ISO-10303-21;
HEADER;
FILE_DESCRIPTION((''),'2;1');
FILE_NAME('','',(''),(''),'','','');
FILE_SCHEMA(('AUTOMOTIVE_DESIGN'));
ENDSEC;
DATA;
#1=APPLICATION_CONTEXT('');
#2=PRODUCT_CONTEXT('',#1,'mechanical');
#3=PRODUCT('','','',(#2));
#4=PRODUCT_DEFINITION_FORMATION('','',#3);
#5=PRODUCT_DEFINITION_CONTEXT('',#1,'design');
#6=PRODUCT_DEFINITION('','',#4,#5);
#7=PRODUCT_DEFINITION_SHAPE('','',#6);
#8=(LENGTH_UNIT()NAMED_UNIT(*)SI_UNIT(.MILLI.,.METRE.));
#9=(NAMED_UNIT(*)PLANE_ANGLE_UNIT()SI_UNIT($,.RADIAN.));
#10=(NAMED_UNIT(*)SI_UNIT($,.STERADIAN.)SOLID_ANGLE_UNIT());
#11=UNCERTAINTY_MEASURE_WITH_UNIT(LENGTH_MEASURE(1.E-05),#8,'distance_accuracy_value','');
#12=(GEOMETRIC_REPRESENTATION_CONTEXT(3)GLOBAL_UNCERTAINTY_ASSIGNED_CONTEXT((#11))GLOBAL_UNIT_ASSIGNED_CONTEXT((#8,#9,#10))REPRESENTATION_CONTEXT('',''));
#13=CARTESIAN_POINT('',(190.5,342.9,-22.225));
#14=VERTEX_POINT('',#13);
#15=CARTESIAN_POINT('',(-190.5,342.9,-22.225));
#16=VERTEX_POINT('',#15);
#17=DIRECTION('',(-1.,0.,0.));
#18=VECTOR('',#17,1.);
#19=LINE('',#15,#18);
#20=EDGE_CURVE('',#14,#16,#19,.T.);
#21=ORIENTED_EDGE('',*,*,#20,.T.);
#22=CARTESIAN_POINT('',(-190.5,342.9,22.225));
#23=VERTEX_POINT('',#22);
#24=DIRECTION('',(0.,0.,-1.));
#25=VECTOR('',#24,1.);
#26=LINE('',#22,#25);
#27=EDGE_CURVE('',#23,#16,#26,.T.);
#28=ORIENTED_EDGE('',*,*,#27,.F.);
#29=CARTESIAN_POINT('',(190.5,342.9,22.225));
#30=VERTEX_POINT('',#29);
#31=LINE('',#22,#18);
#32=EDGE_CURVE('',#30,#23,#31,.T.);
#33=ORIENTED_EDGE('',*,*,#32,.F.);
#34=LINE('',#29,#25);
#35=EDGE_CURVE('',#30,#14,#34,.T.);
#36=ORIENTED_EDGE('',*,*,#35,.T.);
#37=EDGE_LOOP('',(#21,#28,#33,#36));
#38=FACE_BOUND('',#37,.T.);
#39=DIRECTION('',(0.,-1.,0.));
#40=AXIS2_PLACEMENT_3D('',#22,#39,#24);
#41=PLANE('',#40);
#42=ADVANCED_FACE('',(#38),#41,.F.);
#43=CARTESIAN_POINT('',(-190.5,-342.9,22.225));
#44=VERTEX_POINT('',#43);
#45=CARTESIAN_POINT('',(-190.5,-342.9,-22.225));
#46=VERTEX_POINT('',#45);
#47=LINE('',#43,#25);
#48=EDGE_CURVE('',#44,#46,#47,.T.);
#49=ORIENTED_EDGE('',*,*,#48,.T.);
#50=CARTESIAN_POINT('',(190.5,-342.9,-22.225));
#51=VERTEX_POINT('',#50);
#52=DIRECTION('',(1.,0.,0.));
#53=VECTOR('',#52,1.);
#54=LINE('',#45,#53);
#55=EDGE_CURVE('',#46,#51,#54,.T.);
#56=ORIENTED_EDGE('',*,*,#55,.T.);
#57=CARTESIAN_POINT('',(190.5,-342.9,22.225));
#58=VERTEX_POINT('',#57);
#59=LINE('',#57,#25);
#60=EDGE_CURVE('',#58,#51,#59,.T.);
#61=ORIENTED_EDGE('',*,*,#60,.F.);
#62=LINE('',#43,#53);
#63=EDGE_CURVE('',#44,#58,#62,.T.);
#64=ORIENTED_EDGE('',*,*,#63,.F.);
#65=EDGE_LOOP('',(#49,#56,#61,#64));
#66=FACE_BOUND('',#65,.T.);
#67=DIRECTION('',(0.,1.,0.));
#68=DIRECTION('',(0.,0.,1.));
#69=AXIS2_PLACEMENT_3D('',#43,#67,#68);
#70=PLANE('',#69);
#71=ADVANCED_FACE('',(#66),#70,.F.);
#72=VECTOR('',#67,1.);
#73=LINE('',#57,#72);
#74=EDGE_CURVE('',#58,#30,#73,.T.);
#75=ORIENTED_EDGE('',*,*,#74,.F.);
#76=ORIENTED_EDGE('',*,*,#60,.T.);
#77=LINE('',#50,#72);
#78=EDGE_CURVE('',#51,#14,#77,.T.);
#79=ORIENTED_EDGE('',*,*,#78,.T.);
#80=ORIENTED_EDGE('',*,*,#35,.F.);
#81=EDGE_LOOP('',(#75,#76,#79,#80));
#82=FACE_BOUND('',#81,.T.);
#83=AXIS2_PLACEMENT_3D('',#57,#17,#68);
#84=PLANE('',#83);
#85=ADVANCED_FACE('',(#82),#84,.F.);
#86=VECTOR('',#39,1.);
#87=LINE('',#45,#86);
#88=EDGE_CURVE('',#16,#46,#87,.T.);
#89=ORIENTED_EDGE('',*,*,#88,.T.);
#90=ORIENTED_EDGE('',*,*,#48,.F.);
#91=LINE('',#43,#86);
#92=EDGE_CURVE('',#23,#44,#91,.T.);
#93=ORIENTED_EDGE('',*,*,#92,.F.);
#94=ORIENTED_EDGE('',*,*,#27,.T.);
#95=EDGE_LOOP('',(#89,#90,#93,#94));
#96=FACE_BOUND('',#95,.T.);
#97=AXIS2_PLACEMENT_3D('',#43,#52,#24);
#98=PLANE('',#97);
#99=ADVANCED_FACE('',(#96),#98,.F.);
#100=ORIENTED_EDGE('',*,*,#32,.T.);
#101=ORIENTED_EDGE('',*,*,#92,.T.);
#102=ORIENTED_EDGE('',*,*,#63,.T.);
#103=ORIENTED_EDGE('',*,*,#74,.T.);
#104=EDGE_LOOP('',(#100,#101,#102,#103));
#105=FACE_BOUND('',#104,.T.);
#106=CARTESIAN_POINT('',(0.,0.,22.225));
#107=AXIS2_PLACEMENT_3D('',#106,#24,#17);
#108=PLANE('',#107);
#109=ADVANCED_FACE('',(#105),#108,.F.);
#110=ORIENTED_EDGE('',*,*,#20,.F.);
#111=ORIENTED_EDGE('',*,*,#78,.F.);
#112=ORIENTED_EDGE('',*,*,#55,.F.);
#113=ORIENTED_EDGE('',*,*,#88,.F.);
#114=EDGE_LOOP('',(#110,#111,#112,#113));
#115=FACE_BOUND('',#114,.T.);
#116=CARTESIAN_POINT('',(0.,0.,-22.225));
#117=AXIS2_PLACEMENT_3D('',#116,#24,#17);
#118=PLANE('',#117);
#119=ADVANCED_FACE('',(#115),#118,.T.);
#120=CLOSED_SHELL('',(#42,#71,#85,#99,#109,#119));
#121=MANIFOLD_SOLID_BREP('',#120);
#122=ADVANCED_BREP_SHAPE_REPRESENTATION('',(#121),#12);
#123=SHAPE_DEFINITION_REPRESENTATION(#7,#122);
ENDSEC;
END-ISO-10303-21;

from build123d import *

# Parameters (mm, degrees)
RADIATOR_CROSS_SECTION_W = 381
RADIATOR_CROSS_SECTION_H = 685.8
RADIATOR_DEPTH           = 22.225


with BuildPart() as part:
    # Radiator Cross Section → Radiator (new body, symmetric)
    with BuildSketch(Plane.XY):
        Rectangle(RADIATOR_CROSS_SECTION_W, RADIATOR_CROSS_SECTION_H)
    extrude(amount=RADIATOR_DEPTH, both=True)


solid = part.part
